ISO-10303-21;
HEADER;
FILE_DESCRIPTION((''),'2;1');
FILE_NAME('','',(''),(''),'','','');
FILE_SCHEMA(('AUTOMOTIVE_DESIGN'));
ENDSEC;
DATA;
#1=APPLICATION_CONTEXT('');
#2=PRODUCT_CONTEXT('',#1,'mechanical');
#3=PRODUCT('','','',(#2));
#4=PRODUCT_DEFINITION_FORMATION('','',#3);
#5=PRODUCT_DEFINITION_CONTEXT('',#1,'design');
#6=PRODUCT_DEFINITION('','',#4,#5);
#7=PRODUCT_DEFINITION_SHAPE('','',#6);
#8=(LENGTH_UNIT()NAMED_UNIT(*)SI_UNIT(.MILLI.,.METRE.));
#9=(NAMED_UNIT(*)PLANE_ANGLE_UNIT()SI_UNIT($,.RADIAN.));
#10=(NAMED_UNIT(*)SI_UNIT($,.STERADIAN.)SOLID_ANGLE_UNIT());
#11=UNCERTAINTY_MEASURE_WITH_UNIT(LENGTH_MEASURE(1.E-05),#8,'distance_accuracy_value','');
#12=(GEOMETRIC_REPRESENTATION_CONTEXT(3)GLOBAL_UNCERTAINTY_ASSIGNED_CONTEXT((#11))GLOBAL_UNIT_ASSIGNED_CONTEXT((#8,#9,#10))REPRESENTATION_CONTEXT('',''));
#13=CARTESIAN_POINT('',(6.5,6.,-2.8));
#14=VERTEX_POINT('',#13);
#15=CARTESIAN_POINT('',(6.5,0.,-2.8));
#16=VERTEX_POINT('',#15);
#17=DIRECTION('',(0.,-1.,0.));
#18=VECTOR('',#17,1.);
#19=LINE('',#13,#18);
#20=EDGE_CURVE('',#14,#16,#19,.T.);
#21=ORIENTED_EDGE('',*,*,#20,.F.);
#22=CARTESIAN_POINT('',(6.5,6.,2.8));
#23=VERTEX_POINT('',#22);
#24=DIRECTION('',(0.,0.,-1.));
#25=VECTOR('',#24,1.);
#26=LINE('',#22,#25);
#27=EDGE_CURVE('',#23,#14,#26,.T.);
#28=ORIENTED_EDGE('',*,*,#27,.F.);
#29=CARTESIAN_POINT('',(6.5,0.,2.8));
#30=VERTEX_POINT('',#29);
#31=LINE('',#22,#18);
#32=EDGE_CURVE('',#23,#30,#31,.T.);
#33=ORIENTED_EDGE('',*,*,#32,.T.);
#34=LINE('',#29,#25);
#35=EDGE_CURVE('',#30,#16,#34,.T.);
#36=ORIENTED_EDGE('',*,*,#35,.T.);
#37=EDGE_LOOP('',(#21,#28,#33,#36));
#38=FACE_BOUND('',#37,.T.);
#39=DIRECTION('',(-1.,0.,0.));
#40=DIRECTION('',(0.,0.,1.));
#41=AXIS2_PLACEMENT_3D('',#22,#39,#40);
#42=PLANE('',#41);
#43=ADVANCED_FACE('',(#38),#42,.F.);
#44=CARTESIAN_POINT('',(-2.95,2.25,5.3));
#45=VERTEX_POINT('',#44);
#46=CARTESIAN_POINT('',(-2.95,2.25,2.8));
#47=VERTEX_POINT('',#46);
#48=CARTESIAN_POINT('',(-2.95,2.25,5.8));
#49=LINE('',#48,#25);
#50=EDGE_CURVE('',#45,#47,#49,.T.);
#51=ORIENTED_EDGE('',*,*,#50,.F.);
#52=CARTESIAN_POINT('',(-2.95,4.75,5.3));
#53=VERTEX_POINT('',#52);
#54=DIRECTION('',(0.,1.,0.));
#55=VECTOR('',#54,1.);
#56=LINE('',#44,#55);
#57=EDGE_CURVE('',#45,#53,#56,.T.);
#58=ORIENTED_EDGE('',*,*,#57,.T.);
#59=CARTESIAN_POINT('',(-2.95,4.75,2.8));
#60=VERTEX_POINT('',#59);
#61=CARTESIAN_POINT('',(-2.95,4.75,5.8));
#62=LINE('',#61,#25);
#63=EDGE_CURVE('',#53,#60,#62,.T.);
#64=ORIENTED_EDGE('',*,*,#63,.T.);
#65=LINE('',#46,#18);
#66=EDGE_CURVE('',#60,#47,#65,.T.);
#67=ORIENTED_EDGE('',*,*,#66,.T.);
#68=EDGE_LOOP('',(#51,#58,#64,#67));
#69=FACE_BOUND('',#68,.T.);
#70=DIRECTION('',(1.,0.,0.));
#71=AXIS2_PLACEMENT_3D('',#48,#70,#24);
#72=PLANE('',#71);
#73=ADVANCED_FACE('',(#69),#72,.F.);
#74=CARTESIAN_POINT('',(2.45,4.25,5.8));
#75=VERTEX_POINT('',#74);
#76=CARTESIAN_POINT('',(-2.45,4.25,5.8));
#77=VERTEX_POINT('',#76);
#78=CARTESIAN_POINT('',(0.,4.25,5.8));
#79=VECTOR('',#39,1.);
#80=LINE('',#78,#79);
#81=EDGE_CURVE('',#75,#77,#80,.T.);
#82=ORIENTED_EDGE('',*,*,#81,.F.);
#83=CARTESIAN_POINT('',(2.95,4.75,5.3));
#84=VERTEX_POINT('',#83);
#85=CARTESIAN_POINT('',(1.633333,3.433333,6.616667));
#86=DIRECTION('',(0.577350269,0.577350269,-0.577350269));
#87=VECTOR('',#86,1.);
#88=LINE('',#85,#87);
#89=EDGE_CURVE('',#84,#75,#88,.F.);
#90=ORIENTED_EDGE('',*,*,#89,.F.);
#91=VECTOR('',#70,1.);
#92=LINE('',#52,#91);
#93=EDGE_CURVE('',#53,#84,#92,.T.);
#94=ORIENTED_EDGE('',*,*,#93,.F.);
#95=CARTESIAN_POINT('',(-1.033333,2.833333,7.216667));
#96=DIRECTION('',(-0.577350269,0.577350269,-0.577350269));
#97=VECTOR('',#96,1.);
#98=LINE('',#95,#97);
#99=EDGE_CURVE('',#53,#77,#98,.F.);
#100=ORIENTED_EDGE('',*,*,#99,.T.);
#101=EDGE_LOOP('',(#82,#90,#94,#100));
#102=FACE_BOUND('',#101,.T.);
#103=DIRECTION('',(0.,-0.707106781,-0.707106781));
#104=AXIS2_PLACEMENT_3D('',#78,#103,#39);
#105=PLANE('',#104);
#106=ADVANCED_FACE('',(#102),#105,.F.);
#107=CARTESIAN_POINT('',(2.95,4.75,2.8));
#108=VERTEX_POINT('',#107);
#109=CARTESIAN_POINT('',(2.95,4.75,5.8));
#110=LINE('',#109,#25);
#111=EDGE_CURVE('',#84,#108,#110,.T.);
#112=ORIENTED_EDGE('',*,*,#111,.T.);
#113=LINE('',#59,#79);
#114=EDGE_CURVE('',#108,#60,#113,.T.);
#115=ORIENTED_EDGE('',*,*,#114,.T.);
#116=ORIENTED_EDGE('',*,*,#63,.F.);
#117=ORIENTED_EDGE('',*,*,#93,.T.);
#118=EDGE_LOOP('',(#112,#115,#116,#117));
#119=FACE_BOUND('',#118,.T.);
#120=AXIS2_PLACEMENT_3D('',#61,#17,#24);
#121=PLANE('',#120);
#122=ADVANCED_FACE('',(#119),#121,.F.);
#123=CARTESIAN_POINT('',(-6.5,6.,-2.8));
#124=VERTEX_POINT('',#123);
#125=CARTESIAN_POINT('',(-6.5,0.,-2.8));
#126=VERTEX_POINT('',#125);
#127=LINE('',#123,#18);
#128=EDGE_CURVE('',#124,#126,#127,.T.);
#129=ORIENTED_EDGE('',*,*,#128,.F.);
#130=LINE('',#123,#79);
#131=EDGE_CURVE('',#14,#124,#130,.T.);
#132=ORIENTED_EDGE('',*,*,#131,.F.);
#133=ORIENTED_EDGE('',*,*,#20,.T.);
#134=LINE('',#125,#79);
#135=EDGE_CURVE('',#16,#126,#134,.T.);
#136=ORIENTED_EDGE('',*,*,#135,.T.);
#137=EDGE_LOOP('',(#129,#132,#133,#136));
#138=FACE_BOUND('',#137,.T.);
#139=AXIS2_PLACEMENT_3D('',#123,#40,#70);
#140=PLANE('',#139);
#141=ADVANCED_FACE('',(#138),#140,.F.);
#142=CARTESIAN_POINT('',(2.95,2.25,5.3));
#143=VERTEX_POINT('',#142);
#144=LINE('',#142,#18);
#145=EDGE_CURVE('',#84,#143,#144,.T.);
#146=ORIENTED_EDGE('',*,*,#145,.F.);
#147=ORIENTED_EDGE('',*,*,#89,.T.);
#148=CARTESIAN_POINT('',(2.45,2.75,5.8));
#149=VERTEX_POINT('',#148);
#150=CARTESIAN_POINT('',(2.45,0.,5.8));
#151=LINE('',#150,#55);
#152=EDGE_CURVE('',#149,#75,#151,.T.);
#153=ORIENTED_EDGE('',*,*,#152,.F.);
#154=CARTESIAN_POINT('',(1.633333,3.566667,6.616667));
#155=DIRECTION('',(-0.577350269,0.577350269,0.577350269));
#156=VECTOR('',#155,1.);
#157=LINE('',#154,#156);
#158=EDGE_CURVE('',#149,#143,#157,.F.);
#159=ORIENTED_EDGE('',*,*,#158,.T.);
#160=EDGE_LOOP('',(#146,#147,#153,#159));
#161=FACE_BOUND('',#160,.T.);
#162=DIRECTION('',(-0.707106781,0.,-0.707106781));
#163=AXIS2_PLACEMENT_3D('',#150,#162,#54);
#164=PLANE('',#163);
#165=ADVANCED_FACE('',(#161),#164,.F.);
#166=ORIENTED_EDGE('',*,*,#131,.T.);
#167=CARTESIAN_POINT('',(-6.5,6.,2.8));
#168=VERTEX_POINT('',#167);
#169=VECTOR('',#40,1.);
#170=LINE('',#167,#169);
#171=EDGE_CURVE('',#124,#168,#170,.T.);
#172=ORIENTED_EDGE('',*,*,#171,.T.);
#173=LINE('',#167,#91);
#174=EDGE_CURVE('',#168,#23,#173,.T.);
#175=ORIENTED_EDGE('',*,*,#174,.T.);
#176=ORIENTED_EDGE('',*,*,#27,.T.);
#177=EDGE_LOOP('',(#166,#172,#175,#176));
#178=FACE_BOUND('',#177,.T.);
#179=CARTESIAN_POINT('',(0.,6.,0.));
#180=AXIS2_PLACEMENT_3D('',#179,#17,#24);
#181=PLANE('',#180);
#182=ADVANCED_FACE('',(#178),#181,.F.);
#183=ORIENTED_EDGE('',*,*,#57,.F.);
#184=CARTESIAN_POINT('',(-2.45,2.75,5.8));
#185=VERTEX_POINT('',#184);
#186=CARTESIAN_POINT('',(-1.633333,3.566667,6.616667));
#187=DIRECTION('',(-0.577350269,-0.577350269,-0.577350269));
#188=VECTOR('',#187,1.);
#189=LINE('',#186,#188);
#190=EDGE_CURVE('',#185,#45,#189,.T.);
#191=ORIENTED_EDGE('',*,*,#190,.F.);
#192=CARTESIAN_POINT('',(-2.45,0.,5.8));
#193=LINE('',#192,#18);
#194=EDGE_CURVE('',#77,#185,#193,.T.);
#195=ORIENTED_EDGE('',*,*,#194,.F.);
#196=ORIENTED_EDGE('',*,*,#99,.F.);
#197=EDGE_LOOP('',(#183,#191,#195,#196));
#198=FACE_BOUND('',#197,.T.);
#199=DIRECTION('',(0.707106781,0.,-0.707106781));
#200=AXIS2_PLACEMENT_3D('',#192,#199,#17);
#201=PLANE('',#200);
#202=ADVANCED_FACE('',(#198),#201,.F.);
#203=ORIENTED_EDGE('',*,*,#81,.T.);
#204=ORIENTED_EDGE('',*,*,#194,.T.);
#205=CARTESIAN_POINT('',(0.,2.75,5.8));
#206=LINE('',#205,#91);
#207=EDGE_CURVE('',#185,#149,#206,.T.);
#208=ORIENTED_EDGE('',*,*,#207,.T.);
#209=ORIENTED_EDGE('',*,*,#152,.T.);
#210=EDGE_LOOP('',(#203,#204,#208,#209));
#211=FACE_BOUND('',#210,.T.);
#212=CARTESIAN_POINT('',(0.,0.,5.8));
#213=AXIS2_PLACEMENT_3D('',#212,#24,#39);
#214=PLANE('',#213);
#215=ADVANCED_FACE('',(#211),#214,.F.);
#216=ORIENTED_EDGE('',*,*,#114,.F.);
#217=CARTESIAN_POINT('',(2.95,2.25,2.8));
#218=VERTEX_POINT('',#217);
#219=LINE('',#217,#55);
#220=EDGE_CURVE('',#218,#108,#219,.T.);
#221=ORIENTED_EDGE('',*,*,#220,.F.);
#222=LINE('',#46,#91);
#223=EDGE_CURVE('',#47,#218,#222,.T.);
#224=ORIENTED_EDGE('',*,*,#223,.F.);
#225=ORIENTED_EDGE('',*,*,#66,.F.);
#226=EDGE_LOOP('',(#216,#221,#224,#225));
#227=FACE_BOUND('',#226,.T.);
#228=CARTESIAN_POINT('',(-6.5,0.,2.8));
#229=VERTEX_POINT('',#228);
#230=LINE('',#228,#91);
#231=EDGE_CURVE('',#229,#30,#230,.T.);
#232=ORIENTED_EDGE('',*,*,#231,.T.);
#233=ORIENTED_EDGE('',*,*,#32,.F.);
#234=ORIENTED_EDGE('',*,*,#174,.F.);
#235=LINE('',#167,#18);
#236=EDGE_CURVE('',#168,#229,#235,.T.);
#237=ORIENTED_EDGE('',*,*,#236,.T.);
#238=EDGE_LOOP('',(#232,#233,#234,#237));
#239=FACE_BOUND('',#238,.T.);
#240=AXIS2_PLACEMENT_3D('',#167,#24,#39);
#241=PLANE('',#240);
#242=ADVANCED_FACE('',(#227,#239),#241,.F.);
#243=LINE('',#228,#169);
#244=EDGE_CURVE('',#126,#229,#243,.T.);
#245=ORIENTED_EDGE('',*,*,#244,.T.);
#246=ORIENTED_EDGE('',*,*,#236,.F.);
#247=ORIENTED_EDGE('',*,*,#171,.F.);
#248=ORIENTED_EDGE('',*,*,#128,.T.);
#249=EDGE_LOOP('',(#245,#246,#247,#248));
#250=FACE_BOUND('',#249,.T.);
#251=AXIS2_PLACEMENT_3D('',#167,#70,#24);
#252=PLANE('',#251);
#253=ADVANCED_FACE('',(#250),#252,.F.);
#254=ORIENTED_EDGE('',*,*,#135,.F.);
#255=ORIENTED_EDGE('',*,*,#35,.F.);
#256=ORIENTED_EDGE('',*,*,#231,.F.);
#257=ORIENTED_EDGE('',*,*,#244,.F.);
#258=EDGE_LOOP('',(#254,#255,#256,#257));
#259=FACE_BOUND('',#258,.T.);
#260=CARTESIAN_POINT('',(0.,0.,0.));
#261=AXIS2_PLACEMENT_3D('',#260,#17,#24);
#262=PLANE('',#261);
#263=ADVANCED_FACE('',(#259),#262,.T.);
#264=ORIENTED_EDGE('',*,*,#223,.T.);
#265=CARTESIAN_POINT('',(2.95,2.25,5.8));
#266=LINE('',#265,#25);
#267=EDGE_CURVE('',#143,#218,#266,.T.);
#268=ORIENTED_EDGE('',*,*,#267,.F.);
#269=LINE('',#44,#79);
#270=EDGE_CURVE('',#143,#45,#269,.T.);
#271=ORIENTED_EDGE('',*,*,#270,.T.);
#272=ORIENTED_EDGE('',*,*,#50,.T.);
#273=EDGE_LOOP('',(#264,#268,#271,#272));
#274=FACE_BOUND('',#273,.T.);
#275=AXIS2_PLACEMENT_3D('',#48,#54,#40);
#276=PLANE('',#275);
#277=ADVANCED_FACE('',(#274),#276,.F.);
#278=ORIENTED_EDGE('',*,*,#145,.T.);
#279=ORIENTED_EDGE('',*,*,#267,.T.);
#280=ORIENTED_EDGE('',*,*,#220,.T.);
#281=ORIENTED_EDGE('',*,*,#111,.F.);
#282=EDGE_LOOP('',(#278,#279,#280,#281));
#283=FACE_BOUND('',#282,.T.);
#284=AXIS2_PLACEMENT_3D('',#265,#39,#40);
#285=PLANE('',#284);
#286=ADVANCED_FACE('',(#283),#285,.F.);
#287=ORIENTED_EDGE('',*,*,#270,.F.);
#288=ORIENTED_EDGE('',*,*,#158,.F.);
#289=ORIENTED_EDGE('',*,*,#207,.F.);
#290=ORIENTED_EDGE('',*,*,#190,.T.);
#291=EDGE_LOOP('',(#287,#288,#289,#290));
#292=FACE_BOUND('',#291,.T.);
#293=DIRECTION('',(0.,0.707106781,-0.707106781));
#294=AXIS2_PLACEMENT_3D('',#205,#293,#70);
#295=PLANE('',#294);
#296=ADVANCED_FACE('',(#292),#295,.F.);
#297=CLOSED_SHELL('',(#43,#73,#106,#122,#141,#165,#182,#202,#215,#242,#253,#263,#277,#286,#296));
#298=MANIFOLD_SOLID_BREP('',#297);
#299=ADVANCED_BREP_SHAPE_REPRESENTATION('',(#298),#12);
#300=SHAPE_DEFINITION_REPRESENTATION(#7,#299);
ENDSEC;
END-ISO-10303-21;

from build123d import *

# Parameters (mm, degrees)
SKETCH1_W           = 13
SKETCH1_H           = 5.6
BOSS_EXTRUDE1_DEPTH = 6
SKETCH2_W           = 5.9
SKETCH2_H           = 2.5
BOSS_EXTRUDE2_DEPTH = 3
CHAMFER1_SIZE       = 0.5


with BuildPart() as part:
    # Sketch1 → Boss-Extrude1 (new body)
    with BuildSketch(Plane(origin=(0, 0, 0), x_dir=(1, 0, 0), z_dir=(0, 1, 0))):
        Rectangle(SKETCH1_W, SKETCH1_H)
    extrude(amount=BOSS_EXTRUDE1_DEPTH)

    # Sketch2 → Boss-Extrude2 (add)
    with BuildSketch(Plane.XY.offset(2.8)):
        with Locations((0, 3.5)):
            Rectangle(SKETCH2_W, SKETCH2_H)
    extrude(amount=BOSS_EXTRUDE2_DEPTH)

    # Chamfer1
    chamfer1_edges = [part.edges().sort_by_distance(p)[0] for p in [
        (2.95, 3.5, 5.8),
        (0, 4.75, 5.8),
        (-2.95, 3.5, 5.8),
        (0, 2.25, 5.8),
    ]]
    chamfer(chamfer1_edges, length=CHAMFER1_SIZE)


solid = part.part
